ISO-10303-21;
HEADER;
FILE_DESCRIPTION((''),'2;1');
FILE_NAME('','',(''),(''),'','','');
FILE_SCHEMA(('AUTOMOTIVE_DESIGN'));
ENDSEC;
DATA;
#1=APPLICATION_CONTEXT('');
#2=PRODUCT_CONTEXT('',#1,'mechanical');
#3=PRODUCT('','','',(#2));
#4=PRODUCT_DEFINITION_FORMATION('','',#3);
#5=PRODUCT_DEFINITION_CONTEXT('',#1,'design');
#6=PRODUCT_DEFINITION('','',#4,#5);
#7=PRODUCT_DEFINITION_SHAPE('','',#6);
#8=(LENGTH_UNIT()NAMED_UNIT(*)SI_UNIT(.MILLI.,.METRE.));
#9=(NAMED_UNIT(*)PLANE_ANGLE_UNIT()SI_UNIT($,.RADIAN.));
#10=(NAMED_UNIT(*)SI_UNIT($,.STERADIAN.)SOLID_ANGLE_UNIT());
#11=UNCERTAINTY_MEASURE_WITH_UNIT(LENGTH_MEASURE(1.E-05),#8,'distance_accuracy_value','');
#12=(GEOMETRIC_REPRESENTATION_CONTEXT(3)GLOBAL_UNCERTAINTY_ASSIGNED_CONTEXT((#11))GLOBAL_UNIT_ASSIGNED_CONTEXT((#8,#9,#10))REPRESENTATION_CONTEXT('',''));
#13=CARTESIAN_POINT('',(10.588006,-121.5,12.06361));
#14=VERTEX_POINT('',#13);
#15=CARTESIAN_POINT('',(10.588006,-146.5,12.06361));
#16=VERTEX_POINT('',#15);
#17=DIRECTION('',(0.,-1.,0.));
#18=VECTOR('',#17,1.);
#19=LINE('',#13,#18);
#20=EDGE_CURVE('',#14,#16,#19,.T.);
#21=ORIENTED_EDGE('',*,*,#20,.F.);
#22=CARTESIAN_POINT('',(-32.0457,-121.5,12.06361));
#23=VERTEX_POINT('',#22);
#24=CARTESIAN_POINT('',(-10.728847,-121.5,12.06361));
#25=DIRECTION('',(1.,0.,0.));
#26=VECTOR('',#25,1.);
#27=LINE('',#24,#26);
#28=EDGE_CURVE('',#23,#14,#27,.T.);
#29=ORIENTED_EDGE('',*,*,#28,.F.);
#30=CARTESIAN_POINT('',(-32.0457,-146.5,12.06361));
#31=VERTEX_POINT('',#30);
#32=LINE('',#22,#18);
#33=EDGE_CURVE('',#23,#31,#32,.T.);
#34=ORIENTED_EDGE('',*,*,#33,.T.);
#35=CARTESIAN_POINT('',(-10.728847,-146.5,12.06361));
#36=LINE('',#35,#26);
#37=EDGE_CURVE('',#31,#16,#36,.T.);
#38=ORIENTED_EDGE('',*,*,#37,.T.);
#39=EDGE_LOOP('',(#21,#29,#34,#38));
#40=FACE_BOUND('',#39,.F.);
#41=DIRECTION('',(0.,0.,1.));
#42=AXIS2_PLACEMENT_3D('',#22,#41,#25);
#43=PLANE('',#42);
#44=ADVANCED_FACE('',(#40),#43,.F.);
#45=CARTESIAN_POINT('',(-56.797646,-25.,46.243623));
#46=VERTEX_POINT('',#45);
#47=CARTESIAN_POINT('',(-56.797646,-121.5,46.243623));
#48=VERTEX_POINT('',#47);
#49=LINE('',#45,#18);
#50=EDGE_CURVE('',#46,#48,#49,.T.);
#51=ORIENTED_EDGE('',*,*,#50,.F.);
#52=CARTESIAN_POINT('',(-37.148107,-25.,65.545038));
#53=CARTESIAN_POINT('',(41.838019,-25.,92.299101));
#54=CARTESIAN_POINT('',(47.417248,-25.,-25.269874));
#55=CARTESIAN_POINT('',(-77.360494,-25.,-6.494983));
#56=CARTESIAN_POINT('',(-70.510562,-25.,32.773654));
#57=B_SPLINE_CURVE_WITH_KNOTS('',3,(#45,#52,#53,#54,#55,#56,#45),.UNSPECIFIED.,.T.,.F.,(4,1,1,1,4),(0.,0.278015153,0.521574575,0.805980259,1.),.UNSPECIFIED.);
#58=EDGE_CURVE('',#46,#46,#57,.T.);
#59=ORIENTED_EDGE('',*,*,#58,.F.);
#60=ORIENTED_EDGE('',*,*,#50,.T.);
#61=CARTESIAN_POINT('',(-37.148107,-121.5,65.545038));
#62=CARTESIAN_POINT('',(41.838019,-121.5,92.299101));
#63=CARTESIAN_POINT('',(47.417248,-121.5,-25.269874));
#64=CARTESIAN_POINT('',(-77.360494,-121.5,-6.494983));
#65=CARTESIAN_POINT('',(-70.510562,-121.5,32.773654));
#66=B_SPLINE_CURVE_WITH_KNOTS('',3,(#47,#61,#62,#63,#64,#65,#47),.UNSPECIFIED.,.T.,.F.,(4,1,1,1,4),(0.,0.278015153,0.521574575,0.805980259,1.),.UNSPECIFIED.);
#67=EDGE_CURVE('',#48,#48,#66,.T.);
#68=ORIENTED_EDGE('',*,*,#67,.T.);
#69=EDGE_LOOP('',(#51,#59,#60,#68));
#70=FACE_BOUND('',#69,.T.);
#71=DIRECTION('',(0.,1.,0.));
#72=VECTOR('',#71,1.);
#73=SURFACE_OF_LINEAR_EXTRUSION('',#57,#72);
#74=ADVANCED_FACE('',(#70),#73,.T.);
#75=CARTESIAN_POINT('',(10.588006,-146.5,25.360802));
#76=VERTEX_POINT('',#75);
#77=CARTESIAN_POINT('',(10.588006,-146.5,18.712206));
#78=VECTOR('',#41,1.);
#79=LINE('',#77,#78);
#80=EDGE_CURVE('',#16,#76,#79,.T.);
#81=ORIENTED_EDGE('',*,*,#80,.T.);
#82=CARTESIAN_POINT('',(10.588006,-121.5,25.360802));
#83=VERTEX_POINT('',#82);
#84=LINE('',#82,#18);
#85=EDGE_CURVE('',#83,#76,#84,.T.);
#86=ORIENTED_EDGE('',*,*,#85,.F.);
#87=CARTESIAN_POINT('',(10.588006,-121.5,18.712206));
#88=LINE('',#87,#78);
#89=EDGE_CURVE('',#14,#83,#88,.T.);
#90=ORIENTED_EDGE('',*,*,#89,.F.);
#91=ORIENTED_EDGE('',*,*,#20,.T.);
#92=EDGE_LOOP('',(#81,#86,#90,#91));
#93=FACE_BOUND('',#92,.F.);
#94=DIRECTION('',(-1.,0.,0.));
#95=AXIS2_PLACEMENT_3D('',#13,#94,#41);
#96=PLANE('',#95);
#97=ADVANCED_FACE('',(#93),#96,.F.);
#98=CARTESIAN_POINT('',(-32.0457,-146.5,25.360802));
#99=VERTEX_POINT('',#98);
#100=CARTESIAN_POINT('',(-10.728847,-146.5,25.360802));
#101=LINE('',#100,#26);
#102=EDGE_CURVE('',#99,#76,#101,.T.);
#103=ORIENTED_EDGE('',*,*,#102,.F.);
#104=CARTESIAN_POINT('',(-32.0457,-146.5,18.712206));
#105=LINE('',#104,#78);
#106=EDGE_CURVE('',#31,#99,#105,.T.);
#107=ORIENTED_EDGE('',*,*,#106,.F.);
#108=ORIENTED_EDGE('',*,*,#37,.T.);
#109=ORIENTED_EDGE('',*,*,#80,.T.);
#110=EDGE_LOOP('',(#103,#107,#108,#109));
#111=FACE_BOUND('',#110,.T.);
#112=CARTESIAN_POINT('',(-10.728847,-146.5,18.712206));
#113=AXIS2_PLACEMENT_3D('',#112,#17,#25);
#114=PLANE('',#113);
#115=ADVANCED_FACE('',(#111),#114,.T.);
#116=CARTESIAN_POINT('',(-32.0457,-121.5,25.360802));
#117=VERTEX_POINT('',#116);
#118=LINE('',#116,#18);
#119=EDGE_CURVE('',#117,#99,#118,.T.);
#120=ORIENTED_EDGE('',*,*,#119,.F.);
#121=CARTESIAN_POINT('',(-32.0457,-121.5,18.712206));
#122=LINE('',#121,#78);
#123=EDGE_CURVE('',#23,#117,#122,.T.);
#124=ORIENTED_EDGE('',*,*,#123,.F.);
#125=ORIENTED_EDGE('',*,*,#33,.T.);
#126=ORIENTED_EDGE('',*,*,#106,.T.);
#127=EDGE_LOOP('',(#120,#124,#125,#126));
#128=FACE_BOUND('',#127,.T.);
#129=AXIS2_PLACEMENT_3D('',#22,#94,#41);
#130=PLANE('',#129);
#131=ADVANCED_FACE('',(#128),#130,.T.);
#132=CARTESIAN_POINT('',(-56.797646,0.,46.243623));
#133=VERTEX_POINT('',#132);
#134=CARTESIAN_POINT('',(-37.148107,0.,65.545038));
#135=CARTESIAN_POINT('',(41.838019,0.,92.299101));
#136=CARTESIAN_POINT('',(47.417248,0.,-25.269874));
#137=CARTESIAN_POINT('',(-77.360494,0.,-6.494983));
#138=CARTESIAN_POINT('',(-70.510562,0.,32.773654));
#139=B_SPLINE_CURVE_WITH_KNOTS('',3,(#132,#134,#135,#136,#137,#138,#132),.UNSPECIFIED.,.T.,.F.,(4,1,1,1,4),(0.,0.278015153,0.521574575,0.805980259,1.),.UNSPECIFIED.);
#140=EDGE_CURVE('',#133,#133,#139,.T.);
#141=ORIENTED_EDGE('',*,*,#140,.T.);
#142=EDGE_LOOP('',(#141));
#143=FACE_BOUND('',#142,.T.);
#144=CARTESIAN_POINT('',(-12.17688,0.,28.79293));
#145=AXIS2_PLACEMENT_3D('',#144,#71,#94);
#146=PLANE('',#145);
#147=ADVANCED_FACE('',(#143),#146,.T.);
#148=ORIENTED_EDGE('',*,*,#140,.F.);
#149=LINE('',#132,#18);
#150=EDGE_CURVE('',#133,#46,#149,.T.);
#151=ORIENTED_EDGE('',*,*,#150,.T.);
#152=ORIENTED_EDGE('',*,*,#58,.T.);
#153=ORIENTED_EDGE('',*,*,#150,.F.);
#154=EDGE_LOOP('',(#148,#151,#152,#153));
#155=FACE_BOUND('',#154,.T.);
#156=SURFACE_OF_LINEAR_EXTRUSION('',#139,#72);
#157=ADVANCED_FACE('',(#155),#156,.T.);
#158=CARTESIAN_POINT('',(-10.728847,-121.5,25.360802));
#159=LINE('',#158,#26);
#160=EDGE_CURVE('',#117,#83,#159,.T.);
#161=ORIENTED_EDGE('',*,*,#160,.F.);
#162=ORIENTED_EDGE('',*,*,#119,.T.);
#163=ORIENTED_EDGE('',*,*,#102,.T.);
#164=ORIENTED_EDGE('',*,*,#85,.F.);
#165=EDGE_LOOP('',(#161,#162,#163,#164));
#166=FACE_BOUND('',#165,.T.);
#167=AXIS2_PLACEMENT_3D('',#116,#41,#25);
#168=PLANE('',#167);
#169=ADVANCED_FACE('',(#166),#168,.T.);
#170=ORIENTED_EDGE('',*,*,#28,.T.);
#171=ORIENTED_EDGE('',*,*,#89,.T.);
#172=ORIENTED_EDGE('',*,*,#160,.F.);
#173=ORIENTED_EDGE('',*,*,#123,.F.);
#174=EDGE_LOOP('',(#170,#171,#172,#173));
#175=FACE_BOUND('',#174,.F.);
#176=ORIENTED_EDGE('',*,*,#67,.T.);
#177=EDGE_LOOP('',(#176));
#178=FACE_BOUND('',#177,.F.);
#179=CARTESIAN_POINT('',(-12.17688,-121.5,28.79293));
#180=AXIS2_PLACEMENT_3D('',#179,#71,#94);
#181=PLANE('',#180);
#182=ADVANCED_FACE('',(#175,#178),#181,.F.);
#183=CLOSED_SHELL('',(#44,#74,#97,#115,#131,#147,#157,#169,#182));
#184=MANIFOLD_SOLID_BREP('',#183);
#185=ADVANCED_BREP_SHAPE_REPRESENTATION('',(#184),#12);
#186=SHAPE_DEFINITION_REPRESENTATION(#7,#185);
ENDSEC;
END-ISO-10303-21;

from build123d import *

# Parameters (mm, degrees)
F1_DEPTH = 25
F2_DEPTH = 96.5
F3_W     = 42.6337057725
F3_H     = 13.297191821
F4_DEPTH = 25


with BuildPart() as f1:
    # F0 (on Front) → F1 (new body)
    with BuildSketch(Plane.XZ):
        with BuildLine():
            add(Edge.make_bspline(
                [(-56.7976459861, 46.2436228991), (-37.148106518, 65.5450378595), (41.8380193275, 92.2991007532), (47.4172482458, -25.2698744471), (-77.3604939257, -6.4949832774), (-70.510562426, 32.7736537451), (-56.7976459861, 46.2436228991)],
                knots=[0, 0, 0, 0, 0.2780151532, 0.5215745751, 0.8059802587, 1, 1, 1, 1], degree=3))
        make_face()
    extrude(amount=F1_DEPTH)

    # F2 (add): a face of the model
    f2_faces = [f1.faces().sort_by_distance(p)[0] for p in [
        (-11.5259199294, -25, 28.7639480383),
    ]]
    extrude(f2_faces, amount=F2_DEPTH)

    # F3 (on face) → F4 (join)
    with BuildSketch(Plane.XZ.offset(121.5)):
        with Locations((-10.7288467698, 18.712206278)):
            Rectangle(F3_W, F3_H)
    extrude(amount=F4_DEPTH)


solid = f1.part
